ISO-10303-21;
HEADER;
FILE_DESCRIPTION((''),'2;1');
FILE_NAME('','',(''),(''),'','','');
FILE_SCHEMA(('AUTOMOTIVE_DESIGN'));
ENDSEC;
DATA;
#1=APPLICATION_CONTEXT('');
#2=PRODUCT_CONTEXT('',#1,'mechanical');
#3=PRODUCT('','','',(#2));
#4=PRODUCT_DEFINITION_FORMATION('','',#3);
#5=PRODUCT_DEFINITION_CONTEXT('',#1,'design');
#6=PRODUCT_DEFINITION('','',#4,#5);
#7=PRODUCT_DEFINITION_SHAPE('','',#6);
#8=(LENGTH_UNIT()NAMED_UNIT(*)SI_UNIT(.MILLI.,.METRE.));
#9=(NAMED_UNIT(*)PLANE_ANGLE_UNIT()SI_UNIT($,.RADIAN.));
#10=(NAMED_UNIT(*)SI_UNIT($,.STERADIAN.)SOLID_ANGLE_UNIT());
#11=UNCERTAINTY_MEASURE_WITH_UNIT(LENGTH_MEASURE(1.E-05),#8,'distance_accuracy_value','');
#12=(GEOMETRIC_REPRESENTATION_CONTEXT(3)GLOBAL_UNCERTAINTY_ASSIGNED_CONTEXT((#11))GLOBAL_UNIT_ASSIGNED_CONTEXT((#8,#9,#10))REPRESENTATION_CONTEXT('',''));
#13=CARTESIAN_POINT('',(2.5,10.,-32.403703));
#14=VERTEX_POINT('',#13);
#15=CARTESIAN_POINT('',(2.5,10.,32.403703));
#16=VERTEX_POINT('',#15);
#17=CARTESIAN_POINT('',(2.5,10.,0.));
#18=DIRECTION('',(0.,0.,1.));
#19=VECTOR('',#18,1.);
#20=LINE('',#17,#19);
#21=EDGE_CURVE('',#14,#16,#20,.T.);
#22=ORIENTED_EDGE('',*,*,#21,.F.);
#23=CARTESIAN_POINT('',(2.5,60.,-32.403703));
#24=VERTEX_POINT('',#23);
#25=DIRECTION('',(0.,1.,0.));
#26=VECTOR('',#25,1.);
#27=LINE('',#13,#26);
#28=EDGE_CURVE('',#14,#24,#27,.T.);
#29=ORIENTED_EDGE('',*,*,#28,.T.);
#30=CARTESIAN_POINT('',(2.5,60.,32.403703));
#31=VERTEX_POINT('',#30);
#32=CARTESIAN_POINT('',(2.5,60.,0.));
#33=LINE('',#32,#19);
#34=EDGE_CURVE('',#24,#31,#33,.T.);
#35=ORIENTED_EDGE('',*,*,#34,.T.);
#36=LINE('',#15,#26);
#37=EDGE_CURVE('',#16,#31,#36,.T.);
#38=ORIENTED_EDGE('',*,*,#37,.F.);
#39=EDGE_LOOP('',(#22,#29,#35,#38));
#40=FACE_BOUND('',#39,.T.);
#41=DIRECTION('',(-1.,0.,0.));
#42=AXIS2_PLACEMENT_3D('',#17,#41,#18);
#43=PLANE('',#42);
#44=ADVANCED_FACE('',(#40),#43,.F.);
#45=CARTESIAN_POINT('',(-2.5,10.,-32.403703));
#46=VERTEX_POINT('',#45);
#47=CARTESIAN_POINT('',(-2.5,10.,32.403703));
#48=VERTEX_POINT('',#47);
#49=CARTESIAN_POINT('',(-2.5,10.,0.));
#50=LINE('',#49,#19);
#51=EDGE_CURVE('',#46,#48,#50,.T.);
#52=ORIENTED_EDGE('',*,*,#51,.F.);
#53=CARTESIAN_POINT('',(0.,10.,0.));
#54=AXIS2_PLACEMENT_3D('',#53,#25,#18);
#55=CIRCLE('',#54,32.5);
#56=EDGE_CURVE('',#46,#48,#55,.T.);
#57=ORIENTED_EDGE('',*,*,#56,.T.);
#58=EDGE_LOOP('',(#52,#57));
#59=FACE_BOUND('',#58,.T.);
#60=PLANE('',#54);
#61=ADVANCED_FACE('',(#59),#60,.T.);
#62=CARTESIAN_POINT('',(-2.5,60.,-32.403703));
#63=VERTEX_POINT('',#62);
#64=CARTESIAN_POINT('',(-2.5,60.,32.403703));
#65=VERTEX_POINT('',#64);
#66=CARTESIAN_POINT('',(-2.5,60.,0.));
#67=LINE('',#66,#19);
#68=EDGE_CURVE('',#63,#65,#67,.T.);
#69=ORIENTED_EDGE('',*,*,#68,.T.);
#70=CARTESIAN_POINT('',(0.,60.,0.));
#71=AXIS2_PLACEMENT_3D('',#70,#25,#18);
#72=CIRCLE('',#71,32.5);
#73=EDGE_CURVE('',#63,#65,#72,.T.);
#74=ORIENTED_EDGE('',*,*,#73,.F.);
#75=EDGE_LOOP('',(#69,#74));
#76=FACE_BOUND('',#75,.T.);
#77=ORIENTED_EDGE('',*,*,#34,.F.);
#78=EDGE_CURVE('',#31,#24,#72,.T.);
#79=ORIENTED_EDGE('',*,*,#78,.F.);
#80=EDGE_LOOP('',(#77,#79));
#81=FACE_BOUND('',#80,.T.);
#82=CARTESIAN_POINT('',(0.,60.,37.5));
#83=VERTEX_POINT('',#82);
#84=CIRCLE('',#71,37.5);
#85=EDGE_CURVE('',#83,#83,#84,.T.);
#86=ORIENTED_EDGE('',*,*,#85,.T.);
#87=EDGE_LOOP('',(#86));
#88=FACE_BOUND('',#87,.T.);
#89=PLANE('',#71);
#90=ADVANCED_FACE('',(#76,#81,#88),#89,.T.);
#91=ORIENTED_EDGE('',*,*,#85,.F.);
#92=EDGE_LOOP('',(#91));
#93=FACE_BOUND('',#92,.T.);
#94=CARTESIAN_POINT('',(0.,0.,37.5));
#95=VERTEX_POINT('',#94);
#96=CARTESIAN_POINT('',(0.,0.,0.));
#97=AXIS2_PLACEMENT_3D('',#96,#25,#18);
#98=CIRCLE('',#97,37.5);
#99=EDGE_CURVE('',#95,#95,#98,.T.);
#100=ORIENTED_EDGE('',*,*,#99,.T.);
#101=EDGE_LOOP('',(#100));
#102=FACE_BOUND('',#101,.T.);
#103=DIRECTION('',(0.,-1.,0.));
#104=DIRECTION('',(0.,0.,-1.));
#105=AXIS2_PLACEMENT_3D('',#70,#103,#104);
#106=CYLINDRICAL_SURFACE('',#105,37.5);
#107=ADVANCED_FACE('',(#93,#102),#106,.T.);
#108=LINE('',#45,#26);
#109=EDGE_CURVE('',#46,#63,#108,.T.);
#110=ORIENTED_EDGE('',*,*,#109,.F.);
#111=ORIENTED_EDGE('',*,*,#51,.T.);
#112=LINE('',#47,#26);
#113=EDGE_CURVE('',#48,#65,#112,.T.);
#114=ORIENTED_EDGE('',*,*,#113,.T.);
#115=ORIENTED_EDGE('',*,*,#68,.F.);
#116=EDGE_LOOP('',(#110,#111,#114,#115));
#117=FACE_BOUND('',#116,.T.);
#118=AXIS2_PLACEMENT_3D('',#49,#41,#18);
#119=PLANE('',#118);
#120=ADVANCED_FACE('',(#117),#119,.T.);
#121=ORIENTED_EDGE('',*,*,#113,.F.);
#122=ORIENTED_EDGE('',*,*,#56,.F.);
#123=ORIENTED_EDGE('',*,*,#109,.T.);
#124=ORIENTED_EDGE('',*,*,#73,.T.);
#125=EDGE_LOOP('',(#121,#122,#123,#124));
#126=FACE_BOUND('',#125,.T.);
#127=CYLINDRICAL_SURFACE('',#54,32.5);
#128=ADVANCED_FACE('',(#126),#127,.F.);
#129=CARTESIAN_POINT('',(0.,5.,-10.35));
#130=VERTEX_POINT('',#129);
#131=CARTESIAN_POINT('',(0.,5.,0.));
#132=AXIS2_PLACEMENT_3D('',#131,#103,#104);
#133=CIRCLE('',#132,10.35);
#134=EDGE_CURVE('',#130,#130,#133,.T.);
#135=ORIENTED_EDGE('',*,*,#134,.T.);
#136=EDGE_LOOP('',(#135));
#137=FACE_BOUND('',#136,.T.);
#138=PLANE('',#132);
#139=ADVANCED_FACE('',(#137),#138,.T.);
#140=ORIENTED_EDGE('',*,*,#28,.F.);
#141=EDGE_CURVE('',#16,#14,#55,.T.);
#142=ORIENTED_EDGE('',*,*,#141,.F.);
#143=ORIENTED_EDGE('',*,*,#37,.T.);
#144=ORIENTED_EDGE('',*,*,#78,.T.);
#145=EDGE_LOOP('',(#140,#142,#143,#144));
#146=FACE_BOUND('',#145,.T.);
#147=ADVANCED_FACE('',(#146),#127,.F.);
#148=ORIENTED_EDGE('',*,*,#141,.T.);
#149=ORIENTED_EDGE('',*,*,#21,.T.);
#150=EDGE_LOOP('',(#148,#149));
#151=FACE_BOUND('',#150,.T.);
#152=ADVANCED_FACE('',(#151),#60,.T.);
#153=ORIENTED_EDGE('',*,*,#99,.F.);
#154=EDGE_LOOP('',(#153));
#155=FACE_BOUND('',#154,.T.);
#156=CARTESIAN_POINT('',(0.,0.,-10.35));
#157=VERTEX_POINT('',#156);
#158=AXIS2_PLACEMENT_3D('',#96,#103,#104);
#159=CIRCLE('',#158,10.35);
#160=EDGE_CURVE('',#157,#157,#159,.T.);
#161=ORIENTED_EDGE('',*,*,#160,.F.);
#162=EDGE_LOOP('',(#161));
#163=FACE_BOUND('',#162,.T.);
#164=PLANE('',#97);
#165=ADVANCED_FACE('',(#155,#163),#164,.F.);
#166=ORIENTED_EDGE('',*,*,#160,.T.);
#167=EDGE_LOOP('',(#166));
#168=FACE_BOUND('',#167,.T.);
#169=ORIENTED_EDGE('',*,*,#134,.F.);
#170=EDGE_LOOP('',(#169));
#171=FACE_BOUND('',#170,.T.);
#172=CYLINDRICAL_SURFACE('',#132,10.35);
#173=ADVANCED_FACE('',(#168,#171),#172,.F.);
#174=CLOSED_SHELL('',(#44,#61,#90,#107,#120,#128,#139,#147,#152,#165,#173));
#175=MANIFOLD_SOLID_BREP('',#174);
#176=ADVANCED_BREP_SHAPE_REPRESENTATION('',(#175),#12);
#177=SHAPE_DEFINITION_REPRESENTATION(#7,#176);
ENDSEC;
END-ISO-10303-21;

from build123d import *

# Parameters (mm, degrees)
SKETCH1_R           = 37.5
BOSS_EXTRUDE1_DEPTH = 60
CUT_EXTRUDE1_DEPTH  = 50
SKETCH3_R           = 10.35
CUT_EXTRUDE2_DEPTH  = 5


with BuildPart() as part:
    # Sketch1 → Boss-Extrude1 (new body)
    with BuildSketch(Plane(origin=(0, 0, 0), x_dir=(1, 0, 0), z_dir=(0, 1, 0))):
        Circle(SKETCH1_R)
    extrude(amount=BOSS_EXTRUDE1_DEPTH)

    # Sketch2 → Cut-Extrude1 (cut)
    with BuildSketch(Plane(origin=(0, 60, 0), x_dir=(1, 0, 0), z_dir=(0, 1, 0))):
        with BuildLine():
            Line((-2.5, -32.403703492), (-2.5, 32.403703492))
            ThreePointArc((-2.5, 32.403703492), (-32.5, 0), (-2.5, -32.403703492))
        make_face()
        with BuildLine():
            ThreePointArc((32.5, 0), (23.848480035, 22.079402166), (2.5, 32.403703492))
            Line((2.5, 32.403703492), (2.5, -32.403703492))
            ThreePointArc((2.5, -32.403703492), (23.848480035, -22.079402166), (32.5, 0))
        make_face()
    extrude(amount=-CUT_EXTRUDE1_DEPTH, mode=Mode.SUBTRACT)

    # Sketch3 → Cut-Extrude2 (cut)
    with BuildSketch(Plane.XZ):
        Circle(SKETCH3_R)
    extrude(amount=-CUT_EXTRUDE2_DEPTH, mode=Mode.SUBTRACT)


solid = part.part
